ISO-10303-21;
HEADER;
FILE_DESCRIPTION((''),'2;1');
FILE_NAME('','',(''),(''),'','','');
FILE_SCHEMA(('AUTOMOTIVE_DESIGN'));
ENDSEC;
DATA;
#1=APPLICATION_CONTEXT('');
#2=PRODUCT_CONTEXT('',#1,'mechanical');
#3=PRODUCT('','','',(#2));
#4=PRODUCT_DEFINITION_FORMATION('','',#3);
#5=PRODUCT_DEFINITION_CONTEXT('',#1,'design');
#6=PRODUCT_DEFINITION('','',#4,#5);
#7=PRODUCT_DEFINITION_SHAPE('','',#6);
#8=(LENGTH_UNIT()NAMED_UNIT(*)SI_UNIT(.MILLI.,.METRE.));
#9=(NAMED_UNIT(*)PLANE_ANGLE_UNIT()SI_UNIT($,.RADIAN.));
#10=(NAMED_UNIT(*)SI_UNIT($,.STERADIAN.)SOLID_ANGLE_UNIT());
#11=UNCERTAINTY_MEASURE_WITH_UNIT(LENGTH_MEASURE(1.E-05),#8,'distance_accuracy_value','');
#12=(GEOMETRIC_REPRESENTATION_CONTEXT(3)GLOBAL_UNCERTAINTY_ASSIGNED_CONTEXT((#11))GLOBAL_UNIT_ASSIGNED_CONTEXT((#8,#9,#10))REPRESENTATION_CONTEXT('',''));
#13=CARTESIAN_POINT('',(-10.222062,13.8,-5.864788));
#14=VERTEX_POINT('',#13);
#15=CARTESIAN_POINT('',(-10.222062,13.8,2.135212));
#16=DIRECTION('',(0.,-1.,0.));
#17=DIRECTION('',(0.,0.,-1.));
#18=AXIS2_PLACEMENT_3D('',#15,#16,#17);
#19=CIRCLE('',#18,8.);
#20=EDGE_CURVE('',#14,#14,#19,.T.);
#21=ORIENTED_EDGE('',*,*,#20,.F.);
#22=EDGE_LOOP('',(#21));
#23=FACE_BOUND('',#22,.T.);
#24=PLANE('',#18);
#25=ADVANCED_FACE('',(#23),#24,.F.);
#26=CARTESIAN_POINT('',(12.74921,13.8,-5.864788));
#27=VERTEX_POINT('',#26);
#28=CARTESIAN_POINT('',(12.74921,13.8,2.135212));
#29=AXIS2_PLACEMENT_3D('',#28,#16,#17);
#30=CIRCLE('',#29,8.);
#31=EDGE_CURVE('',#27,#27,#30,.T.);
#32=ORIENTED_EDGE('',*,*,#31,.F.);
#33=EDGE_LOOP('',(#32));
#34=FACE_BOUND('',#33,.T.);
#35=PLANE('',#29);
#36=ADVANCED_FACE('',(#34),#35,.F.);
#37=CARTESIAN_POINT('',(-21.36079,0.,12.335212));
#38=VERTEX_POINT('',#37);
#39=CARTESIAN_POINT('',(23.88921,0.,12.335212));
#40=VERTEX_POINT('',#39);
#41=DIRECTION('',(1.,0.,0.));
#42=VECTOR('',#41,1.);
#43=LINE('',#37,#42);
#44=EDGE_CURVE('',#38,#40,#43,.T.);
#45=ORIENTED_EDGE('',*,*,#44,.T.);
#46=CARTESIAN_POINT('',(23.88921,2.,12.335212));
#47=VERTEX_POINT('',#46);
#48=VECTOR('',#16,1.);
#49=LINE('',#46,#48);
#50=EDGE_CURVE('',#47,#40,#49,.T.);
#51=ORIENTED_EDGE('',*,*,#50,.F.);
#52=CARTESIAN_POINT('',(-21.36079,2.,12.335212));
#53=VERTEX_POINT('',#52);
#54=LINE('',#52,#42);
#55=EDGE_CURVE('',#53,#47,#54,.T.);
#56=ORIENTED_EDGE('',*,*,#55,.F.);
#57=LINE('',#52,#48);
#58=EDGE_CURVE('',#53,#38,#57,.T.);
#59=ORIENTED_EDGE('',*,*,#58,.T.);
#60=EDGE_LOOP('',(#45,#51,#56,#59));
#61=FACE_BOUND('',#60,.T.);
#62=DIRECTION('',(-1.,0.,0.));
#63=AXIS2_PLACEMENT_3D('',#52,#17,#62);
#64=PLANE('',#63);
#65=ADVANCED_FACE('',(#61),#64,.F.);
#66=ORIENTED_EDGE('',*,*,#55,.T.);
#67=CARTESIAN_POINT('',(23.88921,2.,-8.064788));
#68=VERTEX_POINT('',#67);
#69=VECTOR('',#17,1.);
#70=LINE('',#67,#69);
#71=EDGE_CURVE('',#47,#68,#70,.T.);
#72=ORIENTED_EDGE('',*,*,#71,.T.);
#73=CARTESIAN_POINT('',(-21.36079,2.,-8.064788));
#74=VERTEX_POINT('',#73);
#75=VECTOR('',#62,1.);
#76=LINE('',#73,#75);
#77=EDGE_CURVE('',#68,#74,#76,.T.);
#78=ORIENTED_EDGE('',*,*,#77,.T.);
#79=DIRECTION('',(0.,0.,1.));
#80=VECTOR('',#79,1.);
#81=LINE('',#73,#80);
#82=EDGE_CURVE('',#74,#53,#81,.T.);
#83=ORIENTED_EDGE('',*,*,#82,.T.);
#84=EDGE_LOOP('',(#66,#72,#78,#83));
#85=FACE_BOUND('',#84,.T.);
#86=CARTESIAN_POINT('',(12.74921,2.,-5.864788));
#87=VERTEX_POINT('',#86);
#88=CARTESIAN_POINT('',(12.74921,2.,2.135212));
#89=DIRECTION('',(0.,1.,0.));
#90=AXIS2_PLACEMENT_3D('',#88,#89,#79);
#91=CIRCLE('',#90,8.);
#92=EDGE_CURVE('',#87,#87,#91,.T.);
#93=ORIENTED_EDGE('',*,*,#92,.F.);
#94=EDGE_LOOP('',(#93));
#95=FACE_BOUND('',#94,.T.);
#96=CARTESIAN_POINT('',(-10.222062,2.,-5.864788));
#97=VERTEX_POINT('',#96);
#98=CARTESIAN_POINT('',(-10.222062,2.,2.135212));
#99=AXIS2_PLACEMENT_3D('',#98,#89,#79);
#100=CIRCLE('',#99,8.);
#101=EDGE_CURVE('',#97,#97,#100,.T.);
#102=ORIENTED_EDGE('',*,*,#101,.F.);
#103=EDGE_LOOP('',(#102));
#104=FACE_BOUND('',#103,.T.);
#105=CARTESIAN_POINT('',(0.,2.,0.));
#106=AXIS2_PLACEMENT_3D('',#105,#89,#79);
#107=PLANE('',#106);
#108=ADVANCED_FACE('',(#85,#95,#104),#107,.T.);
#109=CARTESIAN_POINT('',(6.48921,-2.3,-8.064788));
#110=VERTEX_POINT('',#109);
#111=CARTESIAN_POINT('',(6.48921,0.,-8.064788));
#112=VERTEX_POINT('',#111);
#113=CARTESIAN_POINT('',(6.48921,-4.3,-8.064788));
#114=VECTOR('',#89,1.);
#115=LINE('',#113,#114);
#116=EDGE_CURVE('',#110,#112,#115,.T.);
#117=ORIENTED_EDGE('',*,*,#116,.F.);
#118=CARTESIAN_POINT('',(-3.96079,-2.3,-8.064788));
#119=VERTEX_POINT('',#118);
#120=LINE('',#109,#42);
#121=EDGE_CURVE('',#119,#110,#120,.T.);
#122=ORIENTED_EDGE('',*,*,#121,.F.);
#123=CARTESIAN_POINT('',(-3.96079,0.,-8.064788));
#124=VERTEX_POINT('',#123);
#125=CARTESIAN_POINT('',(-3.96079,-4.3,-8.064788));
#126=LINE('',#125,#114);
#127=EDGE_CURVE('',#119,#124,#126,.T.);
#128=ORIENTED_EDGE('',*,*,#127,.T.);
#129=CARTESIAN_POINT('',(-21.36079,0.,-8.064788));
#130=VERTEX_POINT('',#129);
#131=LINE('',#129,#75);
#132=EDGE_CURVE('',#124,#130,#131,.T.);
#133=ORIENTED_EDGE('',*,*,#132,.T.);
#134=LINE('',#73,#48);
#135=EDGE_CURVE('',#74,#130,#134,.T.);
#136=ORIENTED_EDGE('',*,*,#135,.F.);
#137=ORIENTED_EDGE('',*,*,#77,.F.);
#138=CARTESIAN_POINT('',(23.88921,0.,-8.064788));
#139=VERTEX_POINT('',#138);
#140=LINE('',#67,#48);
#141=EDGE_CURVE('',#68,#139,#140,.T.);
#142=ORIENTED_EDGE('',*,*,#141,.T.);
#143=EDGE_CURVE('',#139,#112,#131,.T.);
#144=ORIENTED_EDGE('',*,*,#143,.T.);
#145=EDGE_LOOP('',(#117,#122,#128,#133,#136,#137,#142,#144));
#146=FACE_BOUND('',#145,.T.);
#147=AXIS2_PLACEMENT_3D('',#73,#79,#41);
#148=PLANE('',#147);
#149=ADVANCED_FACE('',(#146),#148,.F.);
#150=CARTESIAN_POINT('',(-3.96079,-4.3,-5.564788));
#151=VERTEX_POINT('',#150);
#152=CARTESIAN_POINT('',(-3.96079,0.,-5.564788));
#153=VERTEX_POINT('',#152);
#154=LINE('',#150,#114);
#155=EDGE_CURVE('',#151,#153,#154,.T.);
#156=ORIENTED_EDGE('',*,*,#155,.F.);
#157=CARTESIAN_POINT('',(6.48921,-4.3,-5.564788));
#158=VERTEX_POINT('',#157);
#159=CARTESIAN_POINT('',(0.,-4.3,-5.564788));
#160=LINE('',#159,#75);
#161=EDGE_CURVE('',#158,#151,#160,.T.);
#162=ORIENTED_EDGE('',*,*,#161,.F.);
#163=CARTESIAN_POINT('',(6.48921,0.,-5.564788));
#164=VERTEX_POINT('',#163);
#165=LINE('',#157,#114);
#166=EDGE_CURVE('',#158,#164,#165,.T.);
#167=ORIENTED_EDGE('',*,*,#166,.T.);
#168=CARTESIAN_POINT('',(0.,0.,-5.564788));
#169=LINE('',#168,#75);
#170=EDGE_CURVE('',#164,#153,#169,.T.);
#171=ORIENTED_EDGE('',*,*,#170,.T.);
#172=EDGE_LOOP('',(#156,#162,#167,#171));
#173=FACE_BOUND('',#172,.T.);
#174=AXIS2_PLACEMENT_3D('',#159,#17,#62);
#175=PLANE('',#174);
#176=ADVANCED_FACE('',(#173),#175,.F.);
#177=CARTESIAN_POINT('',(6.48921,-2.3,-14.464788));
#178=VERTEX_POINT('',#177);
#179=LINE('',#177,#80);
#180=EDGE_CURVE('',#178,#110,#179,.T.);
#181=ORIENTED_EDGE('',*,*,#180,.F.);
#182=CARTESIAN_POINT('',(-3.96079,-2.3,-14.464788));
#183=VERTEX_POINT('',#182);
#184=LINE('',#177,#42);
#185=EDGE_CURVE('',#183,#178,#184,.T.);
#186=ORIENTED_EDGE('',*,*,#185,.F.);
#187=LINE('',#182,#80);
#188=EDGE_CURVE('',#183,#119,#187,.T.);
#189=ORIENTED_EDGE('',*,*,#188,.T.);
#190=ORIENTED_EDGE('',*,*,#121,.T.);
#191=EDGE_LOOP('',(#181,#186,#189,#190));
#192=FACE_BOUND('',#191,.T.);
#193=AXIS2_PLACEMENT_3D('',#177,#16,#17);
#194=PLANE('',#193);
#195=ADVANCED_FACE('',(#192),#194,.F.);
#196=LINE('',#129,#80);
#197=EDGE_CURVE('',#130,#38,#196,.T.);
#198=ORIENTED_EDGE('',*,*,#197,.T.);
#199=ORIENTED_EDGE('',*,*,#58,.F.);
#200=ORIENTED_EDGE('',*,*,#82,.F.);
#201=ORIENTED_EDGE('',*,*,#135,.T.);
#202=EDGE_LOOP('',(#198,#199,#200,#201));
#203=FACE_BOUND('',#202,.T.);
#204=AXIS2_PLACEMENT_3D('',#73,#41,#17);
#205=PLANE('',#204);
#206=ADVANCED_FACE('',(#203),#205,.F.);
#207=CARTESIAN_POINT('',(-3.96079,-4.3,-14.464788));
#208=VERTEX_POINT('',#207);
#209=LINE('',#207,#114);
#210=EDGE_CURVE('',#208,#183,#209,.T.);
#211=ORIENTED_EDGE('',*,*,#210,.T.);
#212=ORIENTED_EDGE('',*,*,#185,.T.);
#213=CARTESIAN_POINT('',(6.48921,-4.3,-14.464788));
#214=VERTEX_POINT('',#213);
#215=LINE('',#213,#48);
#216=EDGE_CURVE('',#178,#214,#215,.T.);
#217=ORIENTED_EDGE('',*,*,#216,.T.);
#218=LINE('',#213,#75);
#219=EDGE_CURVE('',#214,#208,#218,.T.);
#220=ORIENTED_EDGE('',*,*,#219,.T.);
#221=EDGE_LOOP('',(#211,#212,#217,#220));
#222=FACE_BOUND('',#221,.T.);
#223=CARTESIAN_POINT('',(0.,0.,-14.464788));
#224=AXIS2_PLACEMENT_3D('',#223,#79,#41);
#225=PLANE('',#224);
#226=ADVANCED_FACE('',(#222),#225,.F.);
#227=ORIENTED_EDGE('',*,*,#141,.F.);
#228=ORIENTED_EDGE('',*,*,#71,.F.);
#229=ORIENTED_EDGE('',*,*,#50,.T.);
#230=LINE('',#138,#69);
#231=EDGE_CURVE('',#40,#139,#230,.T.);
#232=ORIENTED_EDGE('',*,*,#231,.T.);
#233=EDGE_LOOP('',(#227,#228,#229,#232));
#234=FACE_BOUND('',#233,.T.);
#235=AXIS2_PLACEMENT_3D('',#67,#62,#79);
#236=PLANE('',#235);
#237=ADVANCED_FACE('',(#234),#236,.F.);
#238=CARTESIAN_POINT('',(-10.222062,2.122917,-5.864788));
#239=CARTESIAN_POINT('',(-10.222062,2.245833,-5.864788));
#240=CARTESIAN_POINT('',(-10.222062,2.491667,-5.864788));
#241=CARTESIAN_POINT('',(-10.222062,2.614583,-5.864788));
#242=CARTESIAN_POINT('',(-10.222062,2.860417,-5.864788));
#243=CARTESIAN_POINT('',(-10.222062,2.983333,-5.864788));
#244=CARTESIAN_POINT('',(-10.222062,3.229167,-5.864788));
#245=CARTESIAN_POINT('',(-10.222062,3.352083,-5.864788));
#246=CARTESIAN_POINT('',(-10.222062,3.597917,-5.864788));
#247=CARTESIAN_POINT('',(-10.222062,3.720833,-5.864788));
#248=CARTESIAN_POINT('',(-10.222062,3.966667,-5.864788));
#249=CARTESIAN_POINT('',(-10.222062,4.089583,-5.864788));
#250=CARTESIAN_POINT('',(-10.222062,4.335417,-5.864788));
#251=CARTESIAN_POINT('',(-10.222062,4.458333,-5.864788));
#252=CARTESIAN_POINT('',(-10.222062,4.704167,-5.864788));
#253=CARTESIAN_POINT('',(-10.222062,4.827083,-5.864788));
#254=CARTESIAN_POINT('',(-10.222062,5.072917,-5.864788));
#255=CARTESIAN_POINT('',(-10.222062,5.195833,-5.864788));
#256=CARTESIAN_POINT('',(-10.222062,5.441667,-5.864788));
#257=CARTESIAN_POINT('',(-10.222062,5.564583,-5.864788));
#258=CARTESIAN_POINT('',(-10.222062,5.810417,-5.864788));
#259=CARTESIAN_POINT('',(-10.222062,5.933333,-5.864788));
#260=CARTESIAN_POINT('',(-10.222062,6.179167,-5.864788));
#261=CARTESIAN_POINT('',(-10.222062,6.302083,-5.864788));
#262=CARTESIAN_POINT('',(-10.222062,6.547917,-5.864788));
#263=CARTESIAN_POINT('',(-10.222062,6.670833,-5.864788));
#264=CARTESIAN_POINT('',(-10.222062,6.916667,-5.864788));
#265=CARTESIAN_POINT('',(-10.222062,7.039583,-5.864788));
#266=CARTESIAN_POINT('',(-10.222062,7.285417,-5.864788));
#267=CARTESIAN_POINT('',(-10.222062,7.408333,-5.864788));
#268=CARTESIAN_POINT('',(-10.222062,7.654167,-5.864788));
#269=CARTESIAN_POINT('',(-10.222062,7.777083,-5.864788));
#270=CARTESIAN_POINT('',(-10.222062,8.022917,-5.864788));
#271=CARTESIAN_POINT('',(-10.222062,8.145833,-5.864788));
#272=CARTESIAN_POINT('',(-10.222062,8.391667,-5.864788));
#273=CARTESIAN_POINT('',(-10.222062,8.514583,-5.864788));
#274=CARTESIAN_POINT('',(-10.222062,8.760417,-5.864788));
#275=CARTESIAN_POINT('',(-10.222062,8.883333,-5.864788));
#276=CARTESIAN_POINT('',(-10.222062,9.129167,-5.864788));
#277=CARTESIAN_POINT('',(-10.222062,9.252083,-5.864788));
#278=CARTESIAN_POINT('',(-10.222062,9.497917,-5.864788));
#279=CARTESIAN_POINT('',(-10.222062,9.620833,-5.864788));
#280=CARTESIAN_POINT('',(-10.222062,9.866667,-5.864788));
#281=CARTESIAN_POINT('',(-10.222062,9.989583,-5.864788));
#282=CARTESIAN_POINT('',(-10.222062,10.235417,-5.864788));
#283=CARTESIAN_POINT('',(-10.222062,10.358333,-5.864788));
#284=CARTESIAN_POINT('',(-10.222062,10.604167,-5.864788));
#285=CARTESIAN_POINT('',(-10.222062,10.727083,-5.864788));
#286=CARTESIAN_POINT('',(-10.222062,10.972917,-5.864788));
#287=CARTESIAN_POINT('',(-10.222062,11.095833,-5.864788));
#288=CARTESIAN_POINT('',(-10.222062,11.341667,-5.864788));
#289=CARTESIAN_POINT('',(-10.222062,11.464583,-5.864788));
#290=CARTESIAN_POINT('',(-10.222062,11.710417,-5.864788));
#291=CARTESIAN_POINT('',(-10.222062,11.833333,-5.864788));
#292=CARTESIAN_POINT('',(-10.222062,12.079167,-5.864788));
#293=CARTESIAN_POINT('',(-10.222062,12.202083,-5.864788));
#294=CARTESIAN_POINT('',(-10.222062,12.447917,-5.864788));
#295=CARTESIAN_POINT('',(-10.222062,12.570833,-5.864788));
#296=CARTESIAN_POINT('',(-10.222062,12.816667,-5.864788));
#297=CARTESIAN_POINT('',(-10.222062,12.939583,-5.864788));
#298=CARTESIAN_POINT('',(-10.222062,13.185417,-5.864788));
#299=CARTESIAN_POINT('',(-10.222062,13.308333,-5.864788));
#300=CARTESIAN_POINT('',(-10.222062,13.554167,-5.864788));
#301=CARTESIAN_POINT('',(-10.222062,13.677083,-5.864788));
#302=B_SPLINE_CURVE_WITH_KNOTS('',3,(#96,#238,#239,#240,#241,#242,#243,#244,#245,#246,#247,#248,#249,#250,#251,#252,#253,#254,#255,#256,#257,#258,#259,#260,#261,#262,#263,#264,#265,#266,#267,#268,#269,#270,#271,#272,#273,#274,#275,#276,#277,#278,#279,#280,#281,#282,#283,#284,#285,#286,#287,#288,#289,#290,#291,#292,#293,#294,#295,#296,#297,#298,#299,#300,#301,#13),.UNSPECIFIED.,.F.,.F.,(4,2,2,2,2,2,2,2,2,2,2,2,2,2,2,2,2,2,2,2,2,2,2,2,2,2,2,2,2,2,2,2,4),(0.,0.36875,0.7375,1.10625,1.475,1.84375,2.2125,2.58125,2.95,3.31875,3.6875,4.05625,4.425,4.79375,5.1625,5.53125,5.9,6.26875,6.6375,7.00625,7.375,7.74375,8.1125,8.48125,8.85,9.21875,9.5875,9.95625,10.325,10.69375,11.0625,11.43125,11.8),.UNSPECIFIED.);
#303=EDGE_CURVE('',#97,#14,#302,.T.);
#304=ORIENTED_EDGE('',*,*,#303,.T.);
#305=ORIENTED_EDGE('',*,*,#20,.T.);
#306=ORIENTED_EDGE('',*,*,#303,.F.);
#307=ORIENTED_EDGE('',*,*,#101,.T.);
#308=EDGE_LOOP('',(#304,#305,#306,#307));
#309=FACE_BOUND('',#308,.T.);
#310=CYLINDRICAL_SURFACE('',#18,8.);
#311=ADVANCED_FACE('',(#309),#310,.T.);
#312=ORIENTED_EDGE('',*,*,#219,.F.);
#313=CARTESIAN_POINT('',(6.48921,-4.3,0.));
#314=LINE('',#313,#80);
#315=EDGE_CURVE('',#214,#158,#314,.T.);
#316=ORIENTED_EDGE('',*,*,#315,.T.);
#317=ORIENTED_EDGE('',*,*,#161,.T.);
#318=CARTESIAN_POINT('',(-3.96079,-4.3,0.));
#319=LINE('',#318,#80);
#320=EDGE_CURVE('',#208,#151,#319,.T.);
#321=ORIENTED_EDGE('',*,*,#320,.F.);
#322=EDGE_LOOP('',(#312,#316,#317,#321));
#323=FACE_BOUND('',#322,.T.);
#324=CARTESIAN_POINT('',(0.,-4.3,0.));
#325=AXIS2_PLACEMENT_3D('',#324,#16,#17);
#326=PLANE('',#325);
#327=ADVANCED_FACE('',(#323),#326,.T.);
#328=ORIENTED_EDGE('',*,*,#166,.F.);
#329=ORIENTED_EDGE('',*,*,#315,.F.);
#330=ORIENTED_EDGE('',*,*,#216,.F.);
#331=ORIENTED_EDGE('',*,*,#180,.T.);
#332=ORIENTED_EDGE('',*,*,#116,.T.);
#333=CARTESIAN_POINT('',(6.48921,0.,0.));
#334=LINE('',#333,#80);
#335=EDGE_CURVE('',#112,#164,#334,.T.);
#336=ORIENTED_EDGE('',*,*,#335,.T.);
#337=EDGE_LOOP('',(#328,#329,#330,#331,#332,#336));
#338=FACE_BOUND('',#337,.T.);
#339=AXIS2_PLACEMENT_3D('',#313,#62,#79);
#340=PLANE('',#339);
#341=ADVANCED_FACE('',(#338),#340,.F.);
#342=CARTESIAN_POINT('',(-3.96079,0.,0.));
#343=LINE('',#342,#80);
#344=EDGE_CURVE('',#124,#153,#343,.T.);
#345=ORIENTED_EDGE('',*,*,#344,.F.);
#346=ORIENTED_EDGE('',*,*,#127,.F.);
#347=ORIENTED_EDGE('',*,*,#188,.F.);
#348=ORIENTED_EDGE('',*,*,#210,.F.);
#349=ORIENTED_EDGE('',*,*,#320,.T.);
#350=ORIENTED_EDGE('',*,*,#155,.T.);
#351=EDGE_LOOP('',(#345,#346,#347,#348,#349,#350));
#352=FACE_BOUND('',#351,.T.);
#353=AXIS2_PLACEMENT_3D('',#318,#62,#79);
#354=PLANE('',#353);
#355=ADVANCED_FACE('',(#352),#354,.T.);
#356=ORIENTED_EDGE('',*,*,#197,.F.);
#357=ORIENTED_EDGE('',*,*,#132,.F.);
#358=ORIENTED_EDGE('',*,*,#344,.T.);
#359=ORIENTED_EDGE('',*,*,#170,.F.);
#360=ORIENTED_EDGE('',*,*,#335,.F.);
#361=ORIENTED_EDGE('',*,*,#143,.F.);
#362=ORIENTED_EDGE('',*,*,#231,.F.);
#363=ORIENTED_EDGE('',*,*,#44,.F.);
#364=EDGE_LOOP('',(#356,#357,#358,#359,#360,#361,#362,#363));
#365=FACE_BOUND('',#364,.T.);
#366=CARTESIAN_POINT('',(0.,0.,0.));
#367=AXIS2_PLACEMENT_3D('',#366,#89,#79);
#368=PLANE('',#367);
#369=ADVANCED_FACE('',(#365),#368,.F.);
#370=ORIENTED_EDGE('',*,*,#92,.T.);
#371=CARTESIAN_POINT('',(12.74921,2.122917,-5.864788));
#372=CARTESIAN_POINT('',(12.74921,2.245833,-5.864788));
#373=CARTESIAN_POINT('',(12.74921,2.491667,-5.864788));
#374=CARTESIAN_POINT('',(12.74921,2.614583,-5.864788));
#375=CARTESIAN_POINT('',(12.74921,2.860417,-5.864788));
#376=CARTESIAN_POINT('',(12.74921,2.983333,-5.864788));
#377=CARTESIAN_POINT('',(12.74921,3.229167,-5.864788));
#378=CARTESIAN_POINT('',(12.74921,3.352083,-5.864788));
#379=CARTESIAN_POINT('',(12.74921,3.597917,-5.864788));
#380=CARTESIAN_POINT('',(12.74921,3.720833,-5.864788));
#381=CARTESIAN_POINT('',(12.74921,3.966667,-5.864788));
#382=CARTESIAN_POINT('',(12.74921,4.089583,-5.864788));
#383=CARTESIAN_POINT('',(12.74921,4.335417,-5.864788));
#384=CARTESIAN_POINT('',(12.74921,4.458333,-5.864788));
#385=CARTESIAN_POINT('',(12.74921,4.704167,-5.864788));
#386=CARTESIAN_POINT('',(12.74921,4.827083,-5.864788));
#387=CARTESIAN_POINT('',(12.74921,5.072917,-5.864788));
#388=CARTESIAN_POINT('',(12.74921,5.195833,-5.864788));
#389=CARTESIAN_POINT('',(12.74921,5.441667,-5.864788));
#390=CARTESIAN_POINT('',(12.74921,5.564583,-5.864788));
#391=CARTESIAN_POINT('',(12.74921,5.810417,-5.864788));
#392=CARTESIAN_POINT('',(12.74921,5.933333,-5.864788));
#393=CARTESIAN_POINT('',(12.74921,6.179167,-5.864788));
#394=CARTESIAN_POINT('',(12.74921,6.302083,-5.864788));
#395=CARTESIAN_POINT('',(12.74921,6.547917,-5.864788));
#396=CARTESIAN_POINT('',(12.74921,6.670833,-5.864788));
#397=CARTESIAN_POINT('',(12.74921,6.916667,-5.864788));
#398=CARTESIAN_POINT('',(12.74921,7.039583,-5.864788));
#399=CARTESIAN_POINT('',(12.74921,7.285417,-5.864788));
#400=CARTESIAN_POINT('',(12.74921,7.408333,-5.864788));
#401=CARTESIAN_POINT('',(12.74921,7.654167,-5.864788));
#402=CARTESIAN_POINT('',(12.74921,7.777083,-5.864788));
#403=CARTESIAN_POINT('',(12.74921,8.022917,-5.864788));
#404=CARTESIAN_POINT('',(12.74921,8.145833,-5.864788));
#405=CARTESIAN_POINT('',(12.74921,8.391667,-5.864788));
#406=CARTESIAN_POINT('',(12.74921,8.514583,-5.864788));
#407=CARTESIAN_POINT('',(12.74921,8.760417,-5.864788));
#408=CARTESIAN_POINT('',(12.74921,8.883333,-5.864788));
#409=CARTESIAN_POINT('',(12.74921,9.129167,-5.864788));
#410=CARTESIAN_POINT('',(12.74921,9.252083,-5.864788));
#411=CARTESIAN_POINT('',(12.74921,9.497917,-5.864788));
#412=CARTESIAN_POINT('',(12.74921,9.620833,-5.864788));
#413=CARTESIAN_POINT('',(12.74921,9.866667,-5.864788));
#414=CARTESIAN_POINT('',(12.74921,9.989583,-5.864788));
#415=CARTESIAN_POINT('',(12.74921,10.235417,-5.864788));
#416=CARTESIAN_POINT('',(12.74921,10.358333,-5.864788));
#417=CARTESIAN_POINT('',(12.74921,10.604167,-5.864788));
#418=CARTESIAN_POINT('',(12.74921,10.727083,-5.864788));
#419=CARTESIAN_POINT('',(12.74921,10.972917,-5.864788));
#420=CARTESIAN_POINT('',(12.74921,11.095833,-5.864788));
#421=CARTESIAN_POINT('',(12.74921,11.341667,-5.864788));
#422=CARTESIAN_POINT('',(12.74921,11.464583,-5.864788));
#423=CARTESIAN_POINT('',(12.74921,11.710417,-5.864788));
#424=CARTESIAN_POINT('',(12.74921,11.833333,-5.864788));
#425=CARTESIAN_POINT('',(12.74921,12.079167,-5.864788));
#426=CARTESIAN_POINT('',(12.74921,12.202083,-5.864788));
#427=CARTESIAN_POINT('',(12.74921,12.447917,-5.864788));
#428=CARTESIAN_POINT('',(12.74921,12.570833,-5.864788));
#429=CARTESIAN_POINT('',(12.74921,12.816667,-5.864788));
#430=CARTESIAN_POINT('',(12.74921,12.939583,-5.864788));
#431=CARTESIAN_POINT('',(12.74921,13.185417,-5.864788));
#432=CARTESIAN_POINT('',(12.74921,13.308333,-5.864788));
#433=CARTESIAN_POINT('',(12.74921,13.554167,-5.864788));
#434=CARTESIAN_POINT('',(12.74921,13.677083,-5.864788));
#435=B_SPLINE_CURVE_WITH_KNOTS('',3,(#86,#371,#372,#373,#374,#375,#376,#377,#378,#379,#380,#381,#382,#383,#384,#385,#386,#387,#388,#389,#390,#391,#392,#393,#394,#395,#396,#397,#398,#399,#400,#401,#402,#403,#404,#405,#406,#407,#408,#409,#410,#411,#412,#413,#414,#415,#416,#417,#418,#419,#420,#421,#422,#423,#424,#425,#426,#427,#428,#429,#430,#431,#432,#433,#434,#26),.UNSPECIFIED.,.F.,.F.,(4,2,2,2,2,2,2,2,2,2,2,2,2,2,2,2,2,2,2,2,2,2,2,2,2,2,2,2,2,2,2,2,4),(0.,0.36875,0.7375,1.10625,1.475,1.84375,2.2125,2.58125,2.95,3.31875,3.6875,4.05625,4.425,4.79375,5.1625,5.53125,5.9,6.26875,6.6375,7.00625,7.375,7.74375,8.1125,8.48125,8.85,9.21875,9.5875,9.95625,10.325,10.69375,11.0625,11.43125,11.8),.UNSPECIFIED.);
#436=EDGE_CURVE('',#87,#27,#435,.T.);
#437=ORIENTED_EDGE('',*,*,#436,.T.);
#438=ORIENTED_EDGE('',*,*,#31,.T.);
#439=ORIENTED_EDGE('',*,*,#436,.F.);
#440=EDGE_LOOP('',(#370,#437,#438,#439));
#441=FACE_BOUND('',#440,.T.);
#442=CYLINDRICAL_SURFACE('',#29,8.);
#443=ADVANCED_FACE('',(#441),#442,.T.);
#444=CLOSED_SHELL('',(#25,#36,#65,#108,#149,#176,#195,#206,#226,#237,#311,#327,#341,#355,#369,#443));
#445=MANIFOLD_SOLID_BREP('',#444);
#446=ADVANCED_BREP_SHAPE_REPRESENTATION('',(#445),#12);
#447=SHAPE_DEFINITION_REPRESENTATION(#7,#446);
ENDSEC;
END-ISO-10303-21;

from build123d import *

# Parameters (mm, degrees)
CROQUIS1_W              = 45.25
CROQUIS1_H              = 20.4
CROQUIS1_R              = 8
SALIENTE_EXTRUIR1_DEPTH = 2
CROQUIS2_R              = 8
SALIENTE_EXTRUIR2_DEPTH = 13.8
CROQUIS3_W              = 10.45
CROQUIS3_H              = 2.5
SALIENTE_EXTRUIR4_DEPTH = 4.3
CROQUIS4_W              = 10.45
CROQUIS4_H              = 2
SALIENTE_EXTRUIR5_DEPTH = 6.4


with BuildPart() as part:
    # Croquis1 → Saliente-Extruir1 (new body)
    with BuildSketch(Plane(origin=(0, 0, 0), x_dir=(1, 0, 0), z_dir=(0, 1, 0))):
        with Locations((1.264210019, -2.135211946)):
            Rectangle(CROQUIS1_W, CROQUIS1_H)
        with Locations(Location((-10.222061657, -2.135211946, 0), (0, 0, 270))):
            Circle(CROQUIS1_R, mode=Mode.SUBTRACT)
        with Locations(Location((12.749210019, -2.135211946, 0), (0, 0, 270))):
            Circle(CROQUIS1_R, mode=Mode.SUBTRACT)
    extrude(amount=SALIENTE_EXTRUIR1_DEPTH)

    # Croquis2 → Saliente-Extruir2 (add)
    with BuildSketch(Plane(origin=(0, 0, 0), x_dir=(-1, 0, 0), z_dir=(0, -1, 0))):
        with Locations(Location((10.222061657, -2.135211946, 0), (0, 0, 90))):
            Circle(CROQUIS2_R)
        with Locations(Location((-12.749210019, -2.135211946, 0), (0, 0, 90))):
            Circle(CROQUIS2_R)
    extrude(amount=-SALIENTE_EXTRUIR2_DEPTH)

    # Croquis3 → Saliente-Extruir4 (add)
    with BuildSketch(Plane(origin=(0, 0, 0), x_dir=(-1, 0, 0), z_dir=(0, -1, 0))):
        with Locations((-1.264210019, 6.814788054)):
            Rectangle(CROQUIS3_W, CROQUIS3_H)
    extrude(amount=SALIENTE_EXTRUIR4_DEPTH)

    # Croquis4 → Saliente-Extruir5 (add)
    with BuildSketch(Plane(origin=(0, 0, -8.064788054), x_dir=(-1, 0, 0), z_dir=(0, 0, -1))):
        with Locations((-1.264210019, -3.3)):
            Rectangle(CROQUIS4_W, CROQUIS4_H)
    extrude(amount=SALIENTE_EXTRUIR5_DEPTH)


solid = part.part
